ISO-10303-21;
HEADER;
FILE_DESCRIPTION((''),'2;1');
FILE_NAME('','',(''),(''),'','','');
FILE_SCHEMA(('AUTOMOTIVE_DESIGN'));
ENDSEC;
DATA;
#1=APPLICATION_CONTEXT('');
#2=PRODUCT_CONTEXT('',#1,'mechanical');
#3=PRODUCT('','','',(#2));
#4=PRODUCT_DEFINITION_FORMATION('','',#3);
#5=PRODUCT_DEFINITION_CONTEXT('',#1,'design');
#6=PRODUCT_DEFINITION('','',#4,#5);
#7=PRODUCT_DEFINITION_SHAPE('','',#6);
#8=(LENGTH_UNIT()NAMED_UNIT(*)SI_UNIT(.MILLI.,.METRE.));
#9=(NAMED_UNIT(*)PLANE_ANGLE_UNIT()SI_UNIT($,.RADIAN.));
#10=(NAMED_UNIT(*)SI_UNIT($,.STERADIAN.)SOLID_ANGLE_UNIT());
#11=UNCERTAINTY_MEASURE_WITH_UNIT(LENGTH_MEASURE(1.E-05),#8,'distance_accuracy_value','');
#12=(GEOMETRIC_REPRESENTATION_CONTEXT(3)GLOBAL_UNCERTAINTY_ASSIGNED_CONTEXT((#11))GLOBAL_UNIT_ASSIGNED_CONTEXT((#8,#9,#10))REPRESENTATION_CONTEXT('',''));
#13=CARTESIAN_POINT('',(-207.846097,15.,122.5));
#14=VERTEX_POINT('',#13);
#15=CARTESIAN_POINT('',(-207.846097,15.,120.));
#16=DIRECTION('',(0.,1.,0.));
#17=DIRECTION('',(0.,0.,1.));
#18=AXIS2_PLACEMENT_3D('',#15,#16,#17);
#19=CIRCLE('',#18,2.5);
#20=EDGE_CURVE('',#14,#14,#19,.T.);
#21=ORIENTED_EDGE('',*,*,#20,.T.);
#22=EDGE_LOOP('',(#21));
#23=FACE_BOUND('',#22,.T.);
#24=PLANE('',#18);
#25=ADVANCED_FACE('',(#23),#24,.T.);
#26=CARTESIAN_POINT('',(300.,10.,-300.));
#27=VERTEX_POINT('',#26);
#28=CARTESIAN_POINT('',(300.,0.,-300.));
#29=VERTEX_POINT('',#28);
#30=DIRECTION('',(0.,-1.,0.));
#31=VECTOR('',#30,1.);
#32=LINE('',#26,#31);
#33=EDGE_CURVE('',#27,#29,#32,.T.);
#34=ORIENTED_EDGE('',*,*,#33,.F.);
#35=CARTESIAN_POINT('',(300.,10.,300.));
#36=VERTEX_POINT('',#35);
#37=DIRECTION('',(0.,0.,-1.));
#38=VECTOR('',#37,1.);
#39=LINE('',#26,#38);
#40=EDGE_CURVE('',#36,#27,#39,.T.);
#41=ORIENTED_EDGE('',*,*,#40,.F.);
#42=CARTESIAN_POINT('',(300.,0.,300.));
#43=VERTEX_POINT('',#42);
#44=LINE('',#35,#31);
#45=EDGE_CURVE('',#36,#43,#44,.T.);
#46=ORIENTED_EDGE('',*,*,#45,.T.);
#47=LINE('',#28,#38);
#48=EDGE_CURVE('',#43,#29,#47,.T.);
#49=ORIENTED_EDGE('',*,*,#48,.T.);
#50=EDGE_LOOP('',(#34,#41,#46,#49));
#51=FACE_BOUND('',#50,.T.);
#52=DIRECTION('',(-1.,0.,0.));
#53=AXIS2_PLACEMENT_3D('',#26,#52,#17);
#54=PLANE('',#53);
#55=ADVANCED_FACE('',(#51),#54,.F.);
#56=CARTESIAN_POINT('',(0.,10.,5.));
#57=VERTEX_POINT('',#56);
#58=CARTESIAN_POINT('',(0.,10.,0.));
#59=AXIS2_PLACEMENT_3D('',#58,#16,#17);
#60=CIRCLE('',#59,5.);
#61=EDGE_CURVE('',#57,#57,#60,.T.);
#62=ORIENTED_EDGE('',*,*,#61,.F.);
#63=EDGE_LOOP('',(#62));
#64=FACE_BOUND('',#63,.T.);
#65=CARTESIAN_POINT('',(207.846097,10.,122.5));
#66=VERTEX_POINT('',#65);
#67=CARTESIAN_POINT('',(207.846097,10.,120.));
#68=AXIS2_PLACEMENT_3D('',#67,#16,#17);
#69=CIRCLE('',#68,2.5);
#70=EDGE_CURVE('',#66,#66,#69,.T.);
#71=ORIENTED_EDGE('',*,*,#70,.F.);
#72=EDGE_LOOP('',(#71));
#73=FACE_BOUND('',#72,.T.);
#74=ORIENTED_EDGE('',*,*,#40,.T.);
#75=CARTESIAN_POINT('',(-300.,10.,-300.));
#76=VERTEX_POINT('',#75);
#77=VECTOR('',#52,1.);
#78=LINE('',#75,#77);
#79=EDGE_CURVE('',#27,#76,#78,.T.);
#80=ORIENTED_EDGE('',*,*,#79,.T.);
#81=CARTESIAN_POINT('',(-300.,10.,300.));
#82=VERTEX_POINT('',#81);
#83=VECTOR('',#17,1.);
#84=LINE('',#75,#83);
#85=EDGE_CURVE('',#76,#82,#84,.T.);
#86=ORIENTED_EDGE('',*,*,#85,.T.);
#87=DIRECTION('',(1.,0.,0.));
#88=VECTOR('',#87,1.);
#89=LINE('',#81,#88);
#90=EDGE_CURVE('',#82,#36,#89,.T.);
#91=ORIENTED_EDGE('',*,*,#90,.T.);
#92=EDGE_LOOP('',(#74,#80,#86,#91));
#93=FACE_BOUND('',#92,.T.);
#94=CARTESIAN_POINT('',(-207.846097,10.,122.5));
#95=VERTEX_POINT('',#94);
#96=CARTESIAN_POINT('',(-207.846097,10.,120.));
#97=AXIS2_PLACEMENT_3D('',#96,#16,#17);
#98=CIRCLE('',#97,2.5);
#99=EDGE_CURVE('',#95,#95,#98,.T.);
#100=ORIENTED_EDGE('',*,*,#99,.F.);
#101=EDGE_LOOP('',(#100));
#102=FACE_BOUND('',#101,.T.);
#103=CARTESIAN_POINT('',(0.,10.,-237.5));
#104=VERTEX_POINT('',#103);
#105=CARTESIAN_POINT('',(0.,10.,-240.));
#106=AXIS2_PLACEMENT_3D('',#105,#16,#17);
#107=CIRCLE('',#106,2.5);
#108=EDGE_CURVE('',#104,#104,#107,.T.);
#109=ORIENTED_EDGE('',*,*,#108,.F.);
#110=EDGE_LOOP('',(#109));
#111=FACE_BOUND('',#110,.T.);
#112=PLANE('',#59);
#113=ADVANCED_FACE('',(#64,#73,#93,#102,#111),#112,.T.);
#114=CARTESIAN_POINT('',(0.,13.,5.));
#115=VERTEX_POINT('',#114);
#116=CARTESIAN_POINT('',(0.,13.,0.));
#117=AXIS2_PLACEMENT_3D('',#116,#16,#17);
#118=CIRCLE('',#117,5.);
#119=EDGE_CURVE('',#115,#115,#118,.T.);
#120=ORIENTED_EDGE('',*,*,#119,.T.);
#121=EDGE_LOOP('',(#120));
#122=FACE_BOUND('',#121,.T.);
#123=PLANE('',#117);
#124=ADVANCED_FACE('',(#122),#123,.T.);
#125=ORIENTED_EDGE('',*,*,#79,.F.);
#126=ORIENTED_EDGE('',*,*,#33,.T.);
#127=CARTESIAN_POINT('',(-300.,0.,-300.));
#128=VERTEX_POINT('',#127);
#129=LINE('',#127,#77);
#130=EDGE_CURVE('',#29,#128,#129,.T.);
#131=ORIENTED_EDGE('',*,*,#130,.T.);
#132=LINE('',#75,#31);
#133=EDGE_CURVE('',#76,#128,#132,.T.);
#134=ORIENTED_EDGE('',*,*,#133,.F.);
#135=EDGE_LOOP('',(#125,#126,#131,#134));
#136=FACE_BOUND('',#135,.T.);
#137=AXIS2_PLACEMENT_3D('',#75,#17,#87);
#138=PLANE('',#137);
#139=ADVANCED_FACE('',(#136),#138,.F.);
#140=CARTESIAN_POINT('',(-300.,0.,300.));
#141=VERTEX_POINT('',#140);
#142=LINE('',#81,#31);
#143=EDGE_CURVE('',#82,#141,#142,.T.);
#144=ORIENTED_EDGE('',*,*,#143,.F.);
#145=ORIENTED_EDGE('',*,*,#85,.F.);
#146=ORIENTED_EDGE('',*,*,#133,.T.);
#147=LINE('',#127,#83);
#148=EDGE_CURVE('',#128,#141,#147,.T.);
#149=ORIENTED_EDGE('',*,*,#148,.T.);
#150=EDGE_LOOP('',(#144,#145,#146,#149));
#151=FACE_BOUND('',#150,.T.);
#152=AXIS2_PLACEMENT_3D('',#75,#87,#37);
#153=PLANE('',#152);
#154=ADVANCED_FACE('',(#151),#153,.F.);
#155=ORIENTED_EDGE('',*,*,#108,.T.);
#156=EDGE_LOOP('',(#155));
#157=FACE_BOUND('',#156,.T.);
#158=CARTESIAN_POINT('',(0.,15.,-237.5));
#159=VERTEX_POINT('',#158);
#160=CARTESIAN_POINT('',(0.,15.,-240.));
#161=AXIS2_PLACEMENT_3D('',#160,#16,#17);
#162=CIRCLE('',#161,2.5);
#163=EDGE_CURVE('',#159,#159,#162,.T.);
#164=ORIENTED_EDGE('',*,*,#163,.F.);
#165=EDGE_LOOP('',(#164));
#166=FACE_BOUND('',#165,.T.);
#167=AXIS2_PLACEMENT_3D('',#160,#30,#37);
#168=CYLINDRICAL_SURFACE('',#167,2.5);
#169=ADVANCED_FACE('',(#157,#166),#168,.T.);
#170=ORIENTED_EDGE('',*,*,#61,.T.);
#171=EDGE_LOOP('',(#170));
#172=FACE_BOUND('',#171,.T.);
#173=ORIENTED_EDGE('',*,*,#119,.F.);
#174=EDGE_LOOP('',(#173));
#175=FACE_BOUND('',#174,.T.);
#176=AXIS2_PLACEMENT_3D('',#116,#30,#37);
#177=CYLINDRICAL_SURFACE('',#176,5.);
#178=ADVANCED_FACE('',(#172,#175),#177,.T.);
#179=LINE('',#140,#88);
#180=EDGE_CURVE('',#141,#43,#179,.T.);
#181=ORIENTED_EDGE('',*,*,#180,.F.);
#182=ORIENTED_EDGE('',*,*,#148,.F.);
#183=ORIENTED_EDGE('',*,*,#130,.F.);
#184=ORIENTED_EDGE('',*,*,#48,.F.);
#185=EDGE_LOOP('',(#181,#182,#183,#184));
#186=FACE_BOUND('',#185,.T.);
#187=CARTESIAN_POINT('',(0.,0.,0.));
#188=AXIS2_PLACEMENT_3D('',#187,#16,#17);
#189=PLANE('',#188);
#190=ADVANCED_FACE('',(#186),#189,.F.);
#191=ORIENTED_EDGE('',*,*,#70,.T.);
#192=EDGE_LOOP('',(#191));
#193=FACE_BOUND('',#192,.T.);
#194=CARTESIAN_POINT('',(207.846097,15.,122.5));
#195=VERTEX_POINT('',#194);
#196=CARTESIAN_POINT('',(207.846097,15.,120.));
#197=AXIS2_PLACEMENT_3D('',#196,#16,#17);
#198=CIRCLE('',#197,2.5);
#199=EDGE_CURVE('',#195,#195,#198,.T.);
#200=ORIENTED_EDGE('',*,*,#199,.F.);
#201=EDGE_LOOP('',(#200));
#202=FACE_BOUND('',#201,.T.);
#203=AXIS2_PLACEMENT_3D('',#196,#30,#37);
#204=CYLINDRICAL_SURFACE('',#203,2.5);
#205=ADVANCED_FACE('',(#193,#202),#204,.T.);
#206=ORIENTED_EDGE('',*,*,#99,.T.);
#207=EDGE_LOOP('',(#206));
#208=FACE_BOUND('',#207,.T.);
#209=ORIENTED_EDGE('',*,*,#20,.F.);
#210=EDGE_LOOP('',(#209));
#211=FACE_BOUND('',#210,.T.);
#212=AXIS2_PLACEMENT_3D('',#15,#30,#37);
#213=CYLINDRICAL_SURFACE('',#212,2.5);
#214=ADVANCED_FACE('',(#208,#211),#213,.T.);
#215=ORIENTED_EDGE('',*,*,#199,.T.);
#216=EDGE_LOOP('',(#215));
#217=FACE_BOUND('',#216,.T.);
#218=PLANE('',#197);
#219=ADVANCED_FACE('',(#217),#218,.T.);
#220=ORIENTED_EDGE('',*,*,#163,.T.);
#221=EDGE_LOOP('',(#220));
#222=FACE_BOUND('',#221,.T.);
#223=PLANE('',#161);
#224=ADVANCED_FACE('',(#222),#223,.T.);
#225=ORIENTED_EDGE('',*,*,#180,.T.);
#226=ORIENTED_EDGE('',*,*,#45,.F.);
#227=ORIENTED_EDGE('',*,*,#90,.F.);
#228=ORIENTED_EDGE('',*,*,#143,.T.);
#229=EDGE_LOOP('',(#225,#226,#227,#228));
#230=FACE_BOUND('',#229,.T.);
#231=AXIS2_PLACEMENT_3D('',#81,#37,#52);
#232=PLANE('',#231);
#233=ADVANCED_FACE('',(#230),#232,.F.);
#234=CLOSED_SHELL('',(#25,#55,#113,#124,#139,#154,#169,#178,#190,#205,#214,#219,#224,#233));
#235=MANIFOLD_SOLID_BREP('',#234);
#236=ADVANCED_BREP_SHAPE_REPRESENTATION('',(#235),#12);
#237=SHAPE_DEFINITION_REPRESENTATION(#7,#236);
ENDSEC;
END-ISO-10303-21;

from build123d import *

# Parameters (mm, degrees)
SKETCH_2_W      = 600
SKETCH_2_H      = 600
EXTRUDE_1_DEPTH = 10
SKETCH_3_R      = 2.5
EXTRUDE_2_DEPTH = 5
SKETCH_4_R      = 5
EXTRUDE_3_DEPTH = 3


with BuildPart() as part:
    # 草图2 → 凸台-拉伸1 (new body)
    with BuildSketch(Plane(origin=(0, 0, 0), x_dir=(1, 0, 0), z_dir=(0, 1, 0))):
        Rectangle(SKETCH_2_W, SKETCH_2_H)
    extrude(amount=EXTRUDE_1_DEPTH)

    # 草图3 → 凸台-拉伸2 (add)
    with BuildSketch(Plane(origin=(0, 10, 0), x_dir=(1, 0, 0), z_dir=(0, 1, 0))):
        with Locations((0, 240)):
            Circle(SKETCH_3_R)
        with Locations((-207.846096908, -120)):
            Circle(SKETCH_3_R)
        with Locations((207.846096908, -120)):
            Circle(SKETCH_3_R)
    extrude(amount=EXTRUDE_2_DEPTH)

    # 草图4 → 凸台-拉伸3 (add)
    with BuildSketch(Plane(origin=(0, 10, 0), x_dir=(1, 0, 0), z_dir=(0, 1, 0))):
        Circle(SKETCH_4_R)
    extrude(amount=EXTRUDE_3_DEPTH)


solid = part.part
